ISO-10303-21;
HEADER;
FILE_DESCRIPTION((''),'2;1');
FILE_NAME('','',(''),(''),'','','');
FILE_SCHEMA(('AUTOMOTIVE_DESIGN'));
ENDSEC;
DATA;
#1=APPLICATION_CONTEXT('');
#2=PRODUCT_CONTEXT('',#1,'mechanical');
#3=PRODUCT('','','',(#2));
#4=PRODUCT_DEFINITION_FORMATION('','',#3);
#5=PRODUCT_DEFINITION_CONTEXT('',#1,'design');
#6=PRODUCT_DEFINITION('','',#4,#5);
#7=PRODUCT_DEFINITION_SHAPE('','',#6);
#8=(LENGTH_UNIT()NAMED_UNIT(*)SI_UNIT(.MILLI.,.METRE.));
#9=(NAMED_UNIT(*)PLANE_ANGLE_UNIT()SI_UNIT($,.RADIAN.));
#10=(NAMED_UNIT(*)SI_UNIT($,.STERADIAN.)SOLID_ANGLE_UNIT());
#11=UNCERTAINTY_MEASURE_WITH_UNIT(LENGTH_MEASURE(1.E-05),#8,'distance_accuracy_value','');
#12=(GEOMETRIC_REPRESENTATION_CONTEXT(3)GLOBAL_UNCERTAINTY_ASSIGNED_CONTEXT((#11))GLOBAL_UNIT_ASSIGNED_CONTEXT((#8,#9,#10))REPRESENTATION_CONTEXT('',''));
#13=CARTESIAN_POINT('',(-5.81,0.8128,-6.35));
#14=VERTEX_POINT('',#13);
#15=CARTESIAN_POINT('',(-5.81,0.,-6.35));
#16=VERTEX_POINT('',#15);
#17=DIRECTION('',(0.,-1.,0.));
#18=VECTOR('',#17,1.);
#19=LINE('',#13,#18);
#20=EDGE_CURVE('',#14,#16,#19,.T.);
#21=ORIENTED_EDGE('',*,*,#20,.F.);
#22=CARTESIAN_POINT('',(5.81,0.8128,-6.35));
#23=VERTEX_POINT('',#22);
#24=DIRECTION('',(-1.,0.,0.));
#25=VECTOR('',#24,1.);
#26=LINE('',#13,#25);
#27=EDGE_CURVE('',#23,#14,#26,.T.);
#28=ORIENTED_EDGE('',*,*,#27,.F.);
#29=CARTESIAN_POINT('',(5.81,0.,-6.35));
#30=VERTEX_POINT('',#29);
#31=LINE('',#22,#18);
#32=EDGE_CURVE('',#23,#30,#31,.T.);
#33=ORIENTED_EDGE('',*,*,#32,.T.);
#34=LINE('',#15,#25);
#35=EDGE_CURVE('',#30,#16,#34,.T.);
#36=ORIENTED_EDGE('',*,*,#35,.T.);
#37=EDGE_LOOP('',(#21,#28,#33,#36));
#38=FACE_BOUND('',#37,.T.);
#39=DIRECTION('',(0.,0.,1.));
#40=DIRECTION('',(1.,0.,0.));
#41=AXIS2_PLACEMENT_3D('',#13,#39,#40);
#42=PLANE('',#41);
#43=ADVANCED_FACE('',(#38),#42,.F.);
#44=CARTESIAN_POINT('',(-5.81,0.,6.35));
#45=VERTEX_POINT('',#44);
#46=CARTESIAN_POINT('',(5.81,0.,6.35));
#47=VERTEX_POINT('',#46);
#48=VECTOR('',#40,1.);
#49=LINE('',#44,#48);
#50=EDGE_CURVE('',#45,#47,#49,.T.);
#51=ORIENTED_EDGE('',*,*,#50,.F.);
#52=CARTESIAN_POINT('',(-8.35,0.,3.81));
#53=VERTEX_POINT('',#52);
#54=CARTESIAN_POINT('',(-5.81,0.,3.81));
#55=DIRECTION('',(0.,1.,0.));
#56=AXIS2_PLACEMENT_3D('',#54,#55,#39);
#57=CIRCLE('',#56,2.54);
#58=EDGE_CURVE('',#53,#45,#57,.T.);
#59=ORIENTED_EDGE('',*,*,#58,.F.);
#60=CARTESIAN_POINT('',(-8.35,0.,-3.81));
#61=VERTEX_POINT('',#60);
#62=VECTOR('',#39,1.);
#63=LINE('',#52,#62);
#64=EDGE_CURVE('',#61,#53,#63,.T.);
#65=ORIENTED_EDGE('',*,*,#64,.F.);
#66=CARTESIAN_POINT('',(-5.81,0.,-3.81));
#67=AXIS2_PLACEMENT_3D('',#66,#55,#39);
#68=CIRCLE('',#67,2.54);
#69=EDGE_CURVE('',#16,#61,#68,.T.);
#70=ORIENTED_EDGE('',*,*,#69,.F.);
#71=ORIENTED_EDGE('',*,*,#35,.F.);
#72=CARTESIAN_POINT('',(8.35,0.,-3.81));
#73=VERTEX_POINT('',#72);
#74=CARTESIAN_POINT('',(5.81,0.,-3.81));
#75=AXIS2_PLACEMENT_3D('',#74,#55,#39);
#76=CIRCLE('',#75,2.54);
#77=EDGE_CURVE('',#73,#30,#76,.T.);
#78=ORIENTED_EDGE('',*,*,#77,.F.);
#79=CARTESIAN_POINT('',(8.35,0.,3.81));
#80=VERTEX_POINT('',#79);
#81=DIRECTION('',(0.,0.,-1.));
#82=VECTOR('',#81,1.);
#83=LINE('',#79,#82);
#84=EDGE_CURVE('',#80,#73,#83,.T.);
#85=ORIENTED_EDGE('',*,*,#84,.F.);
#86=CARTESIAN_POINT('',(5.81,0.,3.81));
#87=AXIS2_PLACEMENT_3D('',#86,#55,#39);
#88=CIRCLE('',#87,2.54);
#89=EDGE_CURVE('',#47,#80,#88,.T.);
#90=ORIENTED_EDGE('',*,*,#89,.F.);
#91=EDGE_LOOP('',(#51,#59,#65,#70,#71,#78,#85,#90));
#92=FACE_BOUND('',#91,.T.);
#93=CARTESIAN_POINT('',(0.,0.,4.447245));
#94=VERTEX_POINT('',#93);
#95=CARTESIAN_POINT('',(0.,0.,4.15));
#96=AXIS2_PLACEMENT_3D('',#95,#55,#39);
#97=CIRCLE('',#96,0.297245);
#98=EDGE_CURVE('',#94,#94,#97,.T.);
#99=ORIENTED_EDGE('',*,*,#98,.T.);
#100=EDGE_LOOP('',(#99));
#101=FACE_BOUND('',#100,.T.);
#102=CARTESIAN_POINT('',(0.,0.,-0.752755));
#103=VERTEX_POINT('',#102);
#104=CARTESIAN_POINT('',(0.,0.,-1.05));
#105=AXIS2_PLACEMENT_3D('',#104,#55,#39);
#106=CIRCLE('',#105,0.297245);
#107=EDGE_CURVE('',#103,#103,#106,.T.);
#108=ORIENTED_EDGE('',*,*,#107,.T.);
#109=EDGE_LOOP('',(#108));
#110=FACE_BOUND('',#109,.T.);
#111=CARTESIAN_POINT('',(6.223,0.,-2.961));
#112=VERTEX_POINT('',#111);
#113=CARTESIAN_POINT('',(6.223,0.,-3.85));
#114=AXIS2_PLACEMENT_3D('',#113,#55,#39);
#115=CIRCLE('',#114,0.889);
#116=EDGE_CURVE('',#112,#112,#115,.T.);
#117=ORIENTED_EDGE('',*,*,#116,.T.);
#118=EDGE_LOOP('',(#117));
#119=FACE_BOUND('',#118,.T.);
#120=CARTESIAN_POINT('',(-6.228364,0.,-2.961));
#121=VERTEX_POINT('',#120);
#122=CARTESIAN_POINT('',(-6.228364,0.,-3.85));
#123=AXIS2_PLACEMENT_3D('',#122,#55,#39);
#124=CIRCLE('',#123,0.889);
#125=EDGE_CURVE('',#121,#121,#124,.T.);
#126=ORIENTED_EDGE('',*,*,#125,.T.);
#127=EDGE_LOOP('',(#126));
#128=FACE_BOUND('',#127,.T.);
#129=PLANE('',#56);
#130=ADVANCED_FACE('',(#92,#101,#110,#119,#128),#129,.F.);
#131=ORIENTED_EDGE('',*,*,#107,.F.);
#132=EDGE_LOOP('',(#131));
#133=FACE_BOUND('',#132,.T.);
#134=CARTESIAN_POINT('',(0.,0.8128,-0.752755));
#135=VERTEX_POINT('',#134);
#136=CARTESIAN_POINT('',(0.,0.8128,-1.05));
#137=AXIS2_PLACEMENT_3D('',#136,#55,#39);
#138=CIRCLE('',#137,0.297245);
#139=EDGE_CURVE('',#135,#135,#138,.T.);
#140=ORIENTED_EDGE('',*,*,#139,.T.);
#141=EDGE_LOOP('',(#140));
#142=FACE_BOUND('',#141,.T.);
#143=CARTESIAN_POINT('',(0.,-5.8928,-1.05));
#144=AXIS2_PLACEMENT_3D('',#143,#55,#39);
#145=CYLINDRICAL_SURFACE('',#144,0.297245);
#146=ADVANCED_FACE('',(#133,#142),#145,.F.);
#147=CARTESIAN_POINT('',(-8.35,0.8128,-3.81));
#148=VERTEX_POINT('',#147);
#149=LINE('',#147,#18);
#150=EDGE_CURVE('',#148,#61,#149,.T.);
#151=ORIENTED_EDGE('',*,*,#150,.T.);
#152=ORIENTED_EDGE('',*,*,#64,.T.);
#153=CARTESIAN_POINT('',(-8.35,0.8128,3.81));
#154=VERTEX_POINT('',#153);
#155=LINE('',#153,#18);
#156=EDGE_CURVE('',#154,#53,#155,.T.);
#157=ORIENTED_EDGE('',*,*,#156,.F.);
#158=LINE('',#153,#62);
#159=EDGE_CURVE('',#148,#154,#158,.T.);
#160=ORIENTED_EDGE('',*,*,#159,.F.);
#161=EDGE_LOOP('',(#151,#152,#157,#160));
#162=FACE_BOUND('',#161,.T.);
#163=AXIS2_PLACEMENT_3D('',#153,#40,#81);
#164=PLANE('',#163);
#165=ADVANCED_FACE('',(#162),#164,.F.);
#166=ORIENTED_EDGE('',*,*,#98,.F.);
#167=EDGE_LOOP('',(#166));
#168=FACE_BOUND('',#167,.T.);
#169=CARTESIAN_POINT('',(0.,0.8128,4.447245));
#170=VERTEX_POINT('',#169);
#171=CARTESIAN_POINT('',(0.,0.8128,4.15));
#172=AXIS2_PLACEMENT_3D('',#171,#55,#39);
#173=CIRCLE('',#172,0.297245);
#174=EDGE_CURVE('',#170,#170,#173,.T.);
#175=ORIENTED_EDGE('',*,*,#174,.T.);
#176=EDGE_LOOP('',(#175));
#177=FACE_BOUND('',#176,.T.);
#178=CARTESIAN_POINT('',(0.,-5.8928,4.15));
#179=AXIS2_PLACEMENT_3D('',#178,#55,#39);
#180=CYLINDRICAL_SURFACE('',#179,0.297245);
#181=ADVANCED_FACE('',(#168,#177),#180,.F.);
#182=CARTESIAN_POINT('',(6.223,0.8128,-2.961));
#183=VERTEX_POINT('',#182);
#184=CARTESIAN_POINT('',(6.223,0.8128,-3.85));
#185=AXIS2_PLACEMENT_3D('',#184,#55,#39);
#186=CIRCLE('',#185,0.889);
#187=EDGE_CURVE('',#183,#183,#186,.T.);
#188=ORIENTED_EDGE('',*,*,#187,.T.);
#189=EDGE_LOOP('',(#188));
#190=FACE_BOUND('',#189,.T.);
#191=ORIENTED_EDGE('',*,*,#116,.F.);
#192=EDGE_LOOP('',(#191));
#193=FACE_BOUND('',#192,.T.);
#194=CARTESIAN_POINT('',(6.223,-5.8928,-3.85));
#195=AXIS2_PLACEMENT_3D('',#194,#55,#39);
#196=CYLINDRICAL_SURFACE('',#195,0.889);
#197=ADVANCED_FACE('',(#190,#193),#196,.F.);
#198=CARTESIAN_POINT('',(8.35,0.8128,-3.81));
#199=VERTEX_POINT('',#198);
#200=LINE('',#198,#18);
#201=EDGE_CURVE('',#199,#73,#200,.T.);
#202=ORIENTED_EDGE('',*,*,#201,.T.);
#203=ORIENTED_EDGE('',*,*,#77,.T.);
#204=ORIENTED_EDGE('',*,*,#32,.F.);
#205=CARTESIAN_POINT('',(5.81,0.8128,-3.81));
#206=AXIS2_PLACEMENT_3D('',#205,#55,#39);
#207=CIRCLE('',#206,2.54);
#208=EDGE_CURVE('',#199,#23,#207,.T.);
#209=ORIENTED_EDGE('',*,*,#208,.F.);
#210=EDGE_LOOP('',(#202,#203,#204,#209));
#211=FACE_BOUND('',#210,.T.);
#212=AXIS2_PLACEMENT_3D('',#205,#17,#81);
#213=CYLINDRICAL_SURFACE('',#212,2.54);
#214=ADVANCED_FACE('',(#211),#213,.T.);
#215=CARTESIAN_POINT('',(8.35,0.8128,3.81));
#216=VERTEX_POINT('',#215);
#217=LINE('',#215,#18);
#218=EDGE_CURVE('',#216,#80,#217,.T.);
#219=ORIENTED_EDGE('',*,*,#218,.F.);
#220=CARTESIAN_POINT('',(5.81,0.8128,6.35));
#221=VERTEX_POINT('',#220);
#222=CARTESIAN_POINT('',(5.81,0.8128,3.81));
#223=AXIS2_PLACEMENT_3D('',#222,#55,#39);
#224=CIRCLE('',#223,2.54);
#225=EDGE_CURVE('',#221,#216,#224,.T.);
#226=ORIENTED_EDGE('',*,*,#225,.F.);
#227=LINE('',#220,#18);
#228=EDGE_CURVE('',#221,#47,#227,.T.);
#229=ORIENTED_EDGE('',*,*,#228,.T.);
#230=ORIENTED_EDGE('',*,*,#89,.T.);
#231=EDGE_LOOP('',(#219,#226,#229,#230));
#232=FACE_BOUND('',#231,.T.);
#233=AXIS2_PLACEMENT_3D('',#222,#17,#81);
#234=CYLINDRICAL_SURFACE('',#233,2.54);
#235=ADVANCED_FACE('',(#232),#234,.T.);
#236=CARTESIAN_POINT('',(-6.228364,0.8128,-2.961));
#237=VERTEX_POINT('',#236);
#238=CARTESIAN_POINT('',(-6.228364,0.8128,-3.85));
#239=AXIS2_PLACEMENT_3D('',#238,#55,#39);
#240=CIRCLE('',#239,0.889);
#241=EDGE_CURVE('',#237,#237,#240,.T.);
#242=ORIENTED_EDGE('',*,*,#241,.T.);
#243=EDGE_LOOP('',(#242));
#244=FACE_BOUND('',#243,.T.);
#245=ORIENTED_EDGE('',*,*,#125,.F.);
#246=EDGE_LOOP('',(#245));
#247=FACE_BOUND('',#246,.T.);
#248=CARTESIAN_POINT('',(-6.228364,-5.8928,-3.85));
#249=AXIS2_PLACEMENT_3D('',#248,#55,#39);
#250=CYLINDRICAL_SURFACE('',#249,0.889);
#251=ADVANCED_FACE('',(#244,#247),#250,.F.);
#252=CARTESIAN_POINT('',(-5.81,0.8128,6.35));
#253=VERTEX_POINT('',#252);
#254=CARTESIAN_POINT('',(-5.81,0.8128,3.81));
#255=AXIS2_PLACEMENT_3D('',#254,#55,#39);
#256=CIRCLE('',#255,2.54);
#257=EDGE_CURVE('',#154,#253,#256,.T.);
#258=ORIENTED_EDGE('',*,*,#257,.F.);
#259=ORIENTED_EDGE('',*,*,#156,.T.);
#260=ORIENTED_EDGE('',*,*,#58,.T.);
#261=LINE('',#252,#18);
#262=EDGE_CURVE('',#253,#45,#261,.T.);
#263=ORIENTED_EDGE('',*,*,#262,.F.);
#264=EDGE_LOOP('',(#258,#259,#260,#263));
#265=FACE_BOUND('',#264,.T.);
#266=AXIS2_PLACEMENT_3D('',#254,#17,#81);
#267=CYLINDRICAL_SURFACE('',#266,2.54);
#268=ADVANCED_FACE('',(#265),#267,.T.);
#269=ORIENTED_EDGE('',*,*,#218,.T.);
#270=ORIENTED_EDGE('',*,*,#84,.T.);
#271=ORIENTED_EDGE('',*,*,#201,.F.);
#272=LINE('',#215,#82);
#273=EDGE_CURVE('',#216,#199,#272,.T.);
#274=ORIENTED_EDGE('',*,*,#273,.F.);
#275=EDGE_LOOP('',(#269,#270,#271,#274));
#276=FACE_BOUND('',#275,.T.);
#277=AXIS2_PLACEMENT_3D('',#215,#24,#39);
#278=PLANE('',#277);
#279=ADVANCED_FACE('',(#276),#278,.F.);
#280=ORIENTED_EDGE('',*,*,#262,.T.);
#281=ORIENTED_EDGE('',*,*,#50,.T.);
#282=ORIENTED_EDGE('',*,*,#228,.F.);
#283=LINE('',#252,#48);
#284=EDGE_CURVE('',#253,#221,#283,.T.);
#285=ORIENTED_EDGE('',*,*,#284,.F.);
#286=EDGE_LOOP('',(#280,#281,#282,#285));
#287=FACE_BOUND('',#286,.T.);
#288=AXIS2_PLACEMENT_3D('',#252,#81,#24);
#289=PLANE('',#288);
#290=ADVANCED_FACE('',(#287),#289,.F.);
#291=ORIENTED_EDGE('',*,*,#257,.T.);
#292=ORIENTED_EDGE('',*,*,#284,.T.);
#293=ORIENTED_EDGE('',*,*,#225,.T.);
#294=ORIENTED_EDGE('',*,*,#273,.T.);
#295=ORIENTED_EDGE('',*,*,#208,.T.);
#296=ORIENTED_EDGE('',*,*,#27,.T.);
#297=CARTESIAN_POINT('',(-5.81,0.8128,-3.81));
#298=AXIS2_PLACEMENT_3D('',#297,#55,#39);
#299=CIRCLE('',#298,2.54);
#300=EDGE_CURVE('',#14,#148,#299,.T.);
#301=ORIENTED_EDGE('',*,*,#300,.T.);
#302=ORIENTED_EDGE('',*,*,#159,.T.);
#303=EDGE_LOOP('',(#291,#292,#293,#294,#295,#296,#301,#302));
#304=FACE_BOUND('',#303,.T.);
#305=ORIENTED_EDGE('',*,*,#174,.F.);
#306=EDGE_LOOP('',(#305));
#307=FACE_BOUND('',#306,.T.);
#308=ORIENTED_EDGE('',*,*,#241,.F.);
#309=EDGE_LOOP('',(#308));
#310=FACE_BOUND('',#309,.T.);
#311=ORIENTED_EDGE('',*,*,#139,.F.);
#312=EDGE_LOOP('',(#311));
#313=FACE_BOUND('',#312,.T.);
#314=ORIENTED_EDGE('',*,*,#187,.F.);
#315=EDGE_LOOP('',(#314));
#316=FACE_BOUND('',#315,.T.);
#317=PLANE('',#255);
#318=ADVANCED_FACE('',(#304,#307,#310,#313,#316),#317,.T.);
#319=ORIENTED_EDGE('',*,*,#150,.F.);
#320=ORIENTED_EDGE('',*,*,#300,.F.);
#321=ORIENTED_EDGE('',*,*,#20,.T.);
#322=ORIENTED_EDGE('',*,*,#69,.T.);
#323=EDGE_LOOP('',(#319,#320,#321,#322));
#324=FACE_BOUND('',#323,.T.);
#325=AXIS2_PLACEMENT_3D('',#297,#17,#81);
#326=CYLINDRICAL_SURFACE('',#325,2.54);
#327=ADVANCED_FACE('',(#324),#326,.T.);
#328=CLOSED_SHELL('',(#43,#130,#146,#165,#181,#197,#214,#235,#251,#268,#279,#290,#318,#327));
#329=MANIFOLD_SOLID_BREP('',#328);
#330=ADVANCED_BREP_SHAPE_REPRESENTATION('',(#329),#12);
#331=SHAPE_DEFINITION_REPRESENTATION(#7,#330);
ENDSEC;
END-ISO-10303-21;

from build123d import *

# Parameters (mm, degrees)
BOSS_EXTRUDE1_DEPTH = 0.8128
SKETCH2_R           = 0.889
SKETCH2_R_2         = 0.297244981
CUT_EXTRUDE1_DEPTH  = 8.4328


with BuildPart() as part:
    # Sketch1 → Boss-Extrude1 (new body)
    with BuildSketch(Plane(origin=(0, 0, 0), x_dir=(1, 0, 0), z_dir=(0, 1, 0))):
        with BuildLine():
            Line((-5.81, -6.35), (5.81, -6.35))
            ThreePointArc((5.81, -6.35), (7.606051224, -5.606051224), (8.35, -3.81))
            Line((8.35, -3.81), (8.35, 3.81))
            ThreePointArc((8.35, 3.81), (7.606051224, 5.606051224), (5.81, 6.35))
            Line((5.81, 6.35), (-5.81, 6.35))
            ThreePointArc((-5.81, 6.35), (-7.606051224, 5.606051224), (-8.35, 3.81))
            Line((-8.35, 3.81), (-8.35, -3.81))
            ThreePointArc((-8.35, -3.81), (-7.606051224, -5.606051224), (-5.81, -6.35))
        make_face()
    extrude(amount=BOSS_EXTRUDE1_DEPTH)

    # Sketch2 → Cut-Extrude1 (cut)
    with BuildSketch(Plane(origin=(0, 2.54, 0), x_dir=(1, 0, 0), z_dir=(0, 1, 0))):
        with Locations((-6.2283636, 3.85)):
            Circle(SKETCH2_R)
        with Locations((6.223, 3.85)):
            Circle(SKETCH2_R)
        with Locations((0, -4.15)):
            Circle(SKETCH2_R_2)
        with Locations((0, 1.05)):
            Circle(SKETCH2_R_2)
    extrude(amount=-CUT_EXTRUDE1_DEPTH, mode=Mode.SUBTRACT)


solid = part.part
